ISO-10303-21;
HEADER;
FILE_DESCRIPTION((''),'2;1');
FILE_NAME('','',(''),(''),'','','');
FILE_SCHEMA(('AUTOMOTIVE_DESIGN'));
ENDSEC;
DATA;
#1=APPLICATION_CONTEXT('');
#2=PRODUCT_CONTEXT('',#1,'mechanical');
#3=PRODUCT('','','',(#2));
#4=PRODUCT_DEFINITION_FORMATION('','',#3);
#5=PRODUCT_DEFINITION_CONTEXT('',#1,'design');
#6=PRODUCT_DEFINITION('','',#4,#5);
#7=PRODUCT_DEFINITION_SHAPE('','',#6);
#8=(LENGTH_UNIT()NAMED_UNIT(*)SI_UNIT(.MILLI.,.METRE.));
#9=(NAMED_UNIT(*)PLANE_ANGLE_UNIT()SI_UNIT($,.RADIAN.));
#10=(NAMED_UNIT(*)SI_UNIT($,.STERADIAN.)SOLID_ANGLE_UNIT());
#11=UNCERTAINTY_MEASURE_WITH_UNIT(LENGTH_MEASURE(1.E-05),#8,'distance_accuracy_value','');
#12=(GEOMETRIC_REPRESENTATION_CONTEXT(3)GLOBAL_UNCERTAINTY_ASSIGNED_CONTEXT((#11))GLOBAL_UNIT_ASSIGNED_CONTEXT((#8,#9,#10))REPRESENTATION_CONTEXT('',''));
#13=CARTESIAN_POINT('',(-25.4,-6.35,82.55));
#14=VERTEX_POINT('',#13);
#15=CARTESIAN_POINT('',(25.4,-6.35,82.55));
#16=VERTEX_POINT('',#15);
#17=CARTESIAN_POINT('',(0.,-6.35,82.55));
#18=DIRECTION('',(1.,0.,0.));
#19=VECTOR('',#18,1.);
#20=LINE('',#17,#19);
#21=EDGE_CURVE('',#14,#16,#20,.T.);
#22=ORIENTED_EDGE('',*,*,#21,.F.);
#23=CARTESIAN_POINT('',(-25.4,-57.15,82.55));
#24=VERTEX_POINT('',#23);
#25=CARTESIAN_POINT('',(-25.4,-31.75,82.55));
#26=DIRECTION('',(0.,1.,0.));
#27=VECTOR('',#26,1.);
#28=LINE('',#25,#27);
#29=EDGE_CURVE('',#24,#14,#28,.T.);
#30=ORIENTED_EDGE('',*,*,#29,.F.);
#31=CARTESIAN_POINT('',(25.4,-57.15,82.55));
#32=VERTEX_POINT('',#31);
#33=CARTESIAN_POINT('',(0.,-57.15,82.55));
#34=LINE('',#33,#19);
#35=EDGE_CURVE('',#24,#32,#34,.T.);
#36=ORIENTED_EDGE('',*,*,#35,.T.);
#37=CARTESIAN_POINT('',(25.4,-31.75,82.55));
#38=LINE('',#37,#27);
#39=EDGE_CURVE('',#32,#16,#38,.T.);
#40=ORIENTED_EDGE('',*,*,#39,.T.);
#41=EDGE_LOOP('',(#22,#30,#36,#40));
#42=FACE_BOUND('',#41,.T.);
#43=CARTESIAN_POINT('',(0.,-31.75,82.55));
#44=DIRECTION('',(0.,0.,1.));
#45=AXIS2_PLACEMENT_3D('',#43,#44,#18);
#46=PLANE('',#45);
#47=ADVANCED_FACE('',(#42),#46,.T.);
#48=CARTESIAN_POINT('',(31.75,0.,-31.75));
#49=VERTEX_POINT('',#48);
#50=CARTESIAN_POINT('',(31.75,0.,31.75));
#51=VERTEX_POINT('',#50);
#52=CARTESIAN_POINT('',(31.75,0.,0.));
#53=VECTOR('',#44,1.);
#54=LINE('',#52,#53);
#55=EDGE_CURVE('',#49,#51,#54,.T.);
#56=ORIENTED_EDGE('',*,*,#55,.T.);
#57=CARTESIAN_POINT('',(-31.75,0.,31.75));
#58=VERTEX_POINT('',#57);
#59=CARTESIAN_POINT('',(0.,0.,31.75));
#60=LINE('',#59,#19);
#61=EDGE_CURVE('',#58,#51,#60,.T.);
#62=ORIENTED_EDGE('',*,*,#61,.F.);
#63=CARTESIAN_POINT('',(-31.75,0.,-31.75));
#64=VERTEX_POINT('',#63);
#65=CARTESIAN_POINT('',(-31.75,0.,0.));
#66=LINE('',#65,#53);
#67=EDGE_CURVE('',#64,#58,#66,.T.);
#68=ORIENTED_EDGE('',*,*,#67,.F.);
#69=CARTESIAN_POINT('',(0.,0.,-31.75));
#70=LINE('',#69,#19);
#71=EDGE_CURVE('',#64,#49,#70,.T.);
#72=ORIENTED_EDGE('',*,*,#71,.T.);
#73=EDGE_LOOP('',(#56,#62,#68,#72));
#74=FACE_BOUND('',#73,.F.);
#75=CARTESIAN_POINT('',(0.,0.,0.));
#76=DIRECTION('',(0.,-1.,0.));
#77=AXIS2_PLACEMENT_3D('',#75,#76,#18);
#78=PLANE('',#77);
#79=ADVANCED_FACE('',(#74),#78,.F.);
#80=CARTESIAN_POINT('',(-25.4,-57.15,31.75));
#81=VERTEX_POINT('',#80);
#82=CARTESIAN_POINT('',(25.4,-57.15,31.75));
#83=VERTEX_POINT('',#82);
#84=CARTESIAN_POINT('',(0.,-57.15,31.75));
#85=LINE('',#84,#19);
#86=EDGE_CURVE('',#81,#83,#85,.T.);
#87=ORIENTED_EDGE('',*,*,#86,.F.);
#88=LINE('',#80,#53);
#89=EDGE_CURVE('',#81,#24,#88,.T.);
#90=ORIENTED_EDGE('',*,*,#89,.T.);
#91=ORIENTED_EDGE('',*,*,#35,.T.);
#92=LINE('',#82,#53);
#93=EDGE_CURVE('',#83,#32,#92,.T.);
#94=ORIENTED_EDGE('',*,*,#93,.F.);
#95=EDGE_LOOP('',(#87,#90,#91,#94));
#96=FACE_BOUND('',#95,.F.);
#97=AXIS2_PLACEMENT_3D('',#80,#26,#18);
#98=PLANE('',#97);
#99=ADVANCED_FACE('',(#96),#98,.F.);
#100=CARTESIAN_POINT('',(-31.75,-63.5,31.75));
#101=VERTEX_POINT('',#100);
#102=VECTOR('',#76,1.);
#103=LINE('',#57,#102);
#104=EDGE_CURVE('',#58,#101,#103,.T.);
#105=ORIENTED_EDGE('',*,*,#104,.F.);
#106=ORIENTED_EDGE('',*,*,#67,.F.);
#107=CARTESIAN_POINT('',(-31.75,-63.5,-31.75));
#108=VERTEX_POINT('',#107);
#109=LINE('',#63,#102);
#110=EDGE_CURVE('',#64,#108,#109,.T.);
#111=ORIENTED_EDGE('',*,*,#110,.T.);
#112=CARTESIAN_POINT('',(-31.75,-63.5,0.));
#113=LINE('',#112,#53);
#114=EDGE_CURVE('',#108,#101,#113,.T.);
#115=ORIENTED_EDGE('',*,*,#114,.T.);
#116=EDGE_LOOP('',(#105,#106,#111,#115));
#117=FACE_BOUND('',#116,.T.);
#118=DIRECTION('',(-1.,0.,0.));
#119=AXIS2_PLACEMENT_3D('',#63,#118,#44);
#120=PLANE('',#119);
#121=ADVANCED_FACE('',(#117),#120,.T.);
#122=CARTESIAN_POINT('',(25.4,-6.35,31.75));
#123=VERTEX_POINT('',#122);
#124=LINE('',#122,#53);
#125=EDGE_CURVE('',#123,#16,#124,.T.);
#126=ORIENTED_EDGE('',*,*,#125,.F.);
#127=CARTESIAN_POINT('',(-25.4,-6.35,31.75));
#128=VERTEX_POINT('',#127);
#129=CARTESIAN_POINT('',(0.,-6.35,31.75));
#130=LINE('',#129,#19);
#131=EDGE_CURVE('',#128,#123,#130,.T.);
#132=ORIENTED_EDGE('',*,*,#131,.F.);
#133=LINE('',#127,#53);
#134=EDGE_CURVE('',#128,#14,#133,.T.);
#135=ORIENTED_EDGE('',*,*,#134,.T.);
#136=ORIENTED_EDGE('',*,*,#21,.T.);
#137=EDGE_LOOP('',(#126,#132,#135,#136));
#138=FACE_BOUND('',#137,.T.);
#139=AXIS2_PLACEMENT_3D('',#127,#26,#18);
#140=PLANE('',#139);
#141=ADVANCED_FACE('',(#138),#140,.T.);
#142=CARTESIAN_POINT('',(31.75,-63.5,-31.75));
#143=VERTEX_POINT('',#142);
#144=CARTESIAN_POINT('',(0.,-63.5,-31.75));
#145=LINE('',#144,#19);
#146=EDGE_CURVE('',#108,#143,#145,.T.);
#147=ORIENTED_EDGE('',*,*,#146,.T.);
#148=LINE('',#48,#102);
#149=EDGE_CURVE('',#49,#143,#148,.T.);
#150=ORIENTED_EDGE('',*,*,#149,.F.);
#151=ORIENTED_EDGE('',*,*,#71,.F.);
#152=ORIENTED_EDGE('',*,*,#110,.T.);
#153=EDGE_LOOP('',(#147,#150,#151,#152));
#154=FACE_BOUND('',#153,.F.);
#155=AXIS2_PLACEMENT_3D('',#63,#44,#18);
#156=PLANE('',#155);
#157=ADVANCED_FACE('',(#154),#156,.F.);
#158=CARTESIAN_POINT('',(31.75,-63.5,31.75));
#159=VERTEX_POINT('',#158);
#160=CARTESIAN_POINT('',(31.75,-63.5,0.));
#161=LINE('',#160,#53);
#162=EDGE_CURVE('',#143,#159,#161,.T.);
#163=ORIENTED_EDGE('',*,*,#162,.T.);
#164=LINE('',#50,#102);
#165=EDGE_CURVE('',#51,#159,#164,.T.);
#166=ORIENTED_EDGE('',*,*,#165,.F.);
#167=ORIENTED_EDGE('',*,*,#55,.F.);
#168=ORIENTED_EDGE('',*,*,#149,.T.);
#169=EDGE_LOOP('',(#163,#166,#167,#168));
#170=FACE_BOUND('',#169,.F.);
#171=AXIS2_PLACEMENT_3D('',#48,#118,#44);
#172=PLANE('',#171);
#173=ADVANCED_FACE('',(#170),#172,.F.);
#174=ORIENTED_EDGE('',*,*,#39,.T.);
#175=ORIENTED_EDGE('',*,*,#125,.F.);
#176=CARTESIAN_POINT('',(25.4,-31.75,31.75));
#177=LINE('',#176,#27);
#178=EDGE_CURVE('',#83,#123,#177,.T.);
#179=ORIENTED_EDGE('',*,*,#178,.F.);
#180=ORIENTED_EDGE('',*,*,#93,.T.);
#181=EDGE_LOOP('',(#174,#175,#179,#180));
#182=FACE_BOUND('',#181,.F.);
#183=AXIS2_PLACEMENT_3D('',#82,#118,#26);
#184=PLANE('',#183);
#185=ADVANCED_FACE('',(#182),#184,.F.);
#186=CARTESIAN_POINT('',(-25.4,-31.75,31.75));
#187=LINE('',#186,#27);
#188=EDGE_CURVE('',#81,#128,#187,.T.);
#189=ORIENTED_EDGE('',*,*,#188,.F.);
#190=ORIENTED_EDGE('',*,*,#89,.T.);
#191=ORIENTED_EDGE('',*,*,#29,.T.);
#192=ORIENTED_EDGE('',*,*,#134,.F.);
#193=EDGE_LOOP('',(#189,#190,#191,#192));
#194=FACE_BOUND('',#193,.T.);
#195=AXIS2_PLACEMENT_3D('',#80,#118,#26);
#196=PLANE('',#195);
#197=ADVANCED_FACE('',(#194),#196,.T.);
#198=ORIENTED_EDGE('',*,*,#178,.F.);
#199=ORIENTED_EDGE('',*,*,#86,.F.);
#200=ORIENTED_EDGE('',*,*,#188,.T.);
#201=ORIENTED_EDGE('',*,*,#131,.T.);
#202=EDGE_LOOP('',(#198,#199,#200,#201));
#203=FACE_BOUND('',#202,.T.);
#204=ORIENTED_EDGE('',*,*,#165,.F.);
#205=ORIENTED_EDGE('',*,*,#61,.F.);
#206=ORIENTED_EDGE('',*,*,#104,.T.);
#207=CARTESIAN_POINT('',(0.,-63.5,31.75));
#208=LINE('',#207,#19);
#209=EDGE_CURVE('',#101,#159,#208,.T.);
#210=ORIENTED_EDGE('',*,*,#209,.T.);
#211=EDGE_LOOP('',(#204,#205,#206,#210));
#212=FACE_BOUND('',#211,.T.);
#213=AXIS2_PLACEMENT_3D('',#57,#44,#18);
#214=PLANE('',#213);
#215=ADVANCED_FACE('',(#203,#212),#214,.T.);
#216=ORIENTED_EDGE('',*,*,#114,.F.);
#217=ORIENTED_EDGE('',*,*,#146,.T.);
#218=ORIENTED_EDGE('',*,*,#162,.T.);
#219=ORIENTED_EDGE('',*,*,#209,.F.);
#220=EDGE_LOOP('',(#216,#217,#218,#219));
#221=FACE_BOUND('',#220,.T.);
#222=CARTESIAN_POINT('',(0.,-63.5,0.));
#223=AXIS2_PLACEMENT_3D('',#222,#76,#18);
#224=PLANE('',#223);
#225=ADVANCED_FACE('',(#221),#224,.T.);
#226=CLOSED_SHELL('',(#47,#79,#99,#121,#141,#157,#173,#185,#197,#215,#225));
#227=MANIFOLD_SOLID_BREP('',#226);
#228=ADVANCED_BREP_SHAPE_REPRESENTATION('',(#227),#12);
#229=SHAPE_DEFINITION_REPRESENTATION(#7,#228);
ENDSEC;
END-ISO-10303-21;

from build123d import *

# Parameters (mm, degrees)
F0_W     = 63.5
F0_H     = 63.5
F1_DEPTH = 63.5
F2_W     = 50.8
F2_H     = 50.8
F3_DEPTH = 50.8


with BuildPart() as f1:
    # F0 (on Front) → F1 (new body)
    with BuildSketch(Plane.XZ):
        Rectangle(F0_W, F0_H)
    extrude(amount=F1_DEPTH)

    # F2 (on face) → F3 (join)
    with BuildSketch(Plane.XY.offset(31.75)):
        with Locations((0, -31.75)):
            Rectangle(F2_W, F2_H)
    extrude(amount=F3_DEPTH)


solid = f1.part
